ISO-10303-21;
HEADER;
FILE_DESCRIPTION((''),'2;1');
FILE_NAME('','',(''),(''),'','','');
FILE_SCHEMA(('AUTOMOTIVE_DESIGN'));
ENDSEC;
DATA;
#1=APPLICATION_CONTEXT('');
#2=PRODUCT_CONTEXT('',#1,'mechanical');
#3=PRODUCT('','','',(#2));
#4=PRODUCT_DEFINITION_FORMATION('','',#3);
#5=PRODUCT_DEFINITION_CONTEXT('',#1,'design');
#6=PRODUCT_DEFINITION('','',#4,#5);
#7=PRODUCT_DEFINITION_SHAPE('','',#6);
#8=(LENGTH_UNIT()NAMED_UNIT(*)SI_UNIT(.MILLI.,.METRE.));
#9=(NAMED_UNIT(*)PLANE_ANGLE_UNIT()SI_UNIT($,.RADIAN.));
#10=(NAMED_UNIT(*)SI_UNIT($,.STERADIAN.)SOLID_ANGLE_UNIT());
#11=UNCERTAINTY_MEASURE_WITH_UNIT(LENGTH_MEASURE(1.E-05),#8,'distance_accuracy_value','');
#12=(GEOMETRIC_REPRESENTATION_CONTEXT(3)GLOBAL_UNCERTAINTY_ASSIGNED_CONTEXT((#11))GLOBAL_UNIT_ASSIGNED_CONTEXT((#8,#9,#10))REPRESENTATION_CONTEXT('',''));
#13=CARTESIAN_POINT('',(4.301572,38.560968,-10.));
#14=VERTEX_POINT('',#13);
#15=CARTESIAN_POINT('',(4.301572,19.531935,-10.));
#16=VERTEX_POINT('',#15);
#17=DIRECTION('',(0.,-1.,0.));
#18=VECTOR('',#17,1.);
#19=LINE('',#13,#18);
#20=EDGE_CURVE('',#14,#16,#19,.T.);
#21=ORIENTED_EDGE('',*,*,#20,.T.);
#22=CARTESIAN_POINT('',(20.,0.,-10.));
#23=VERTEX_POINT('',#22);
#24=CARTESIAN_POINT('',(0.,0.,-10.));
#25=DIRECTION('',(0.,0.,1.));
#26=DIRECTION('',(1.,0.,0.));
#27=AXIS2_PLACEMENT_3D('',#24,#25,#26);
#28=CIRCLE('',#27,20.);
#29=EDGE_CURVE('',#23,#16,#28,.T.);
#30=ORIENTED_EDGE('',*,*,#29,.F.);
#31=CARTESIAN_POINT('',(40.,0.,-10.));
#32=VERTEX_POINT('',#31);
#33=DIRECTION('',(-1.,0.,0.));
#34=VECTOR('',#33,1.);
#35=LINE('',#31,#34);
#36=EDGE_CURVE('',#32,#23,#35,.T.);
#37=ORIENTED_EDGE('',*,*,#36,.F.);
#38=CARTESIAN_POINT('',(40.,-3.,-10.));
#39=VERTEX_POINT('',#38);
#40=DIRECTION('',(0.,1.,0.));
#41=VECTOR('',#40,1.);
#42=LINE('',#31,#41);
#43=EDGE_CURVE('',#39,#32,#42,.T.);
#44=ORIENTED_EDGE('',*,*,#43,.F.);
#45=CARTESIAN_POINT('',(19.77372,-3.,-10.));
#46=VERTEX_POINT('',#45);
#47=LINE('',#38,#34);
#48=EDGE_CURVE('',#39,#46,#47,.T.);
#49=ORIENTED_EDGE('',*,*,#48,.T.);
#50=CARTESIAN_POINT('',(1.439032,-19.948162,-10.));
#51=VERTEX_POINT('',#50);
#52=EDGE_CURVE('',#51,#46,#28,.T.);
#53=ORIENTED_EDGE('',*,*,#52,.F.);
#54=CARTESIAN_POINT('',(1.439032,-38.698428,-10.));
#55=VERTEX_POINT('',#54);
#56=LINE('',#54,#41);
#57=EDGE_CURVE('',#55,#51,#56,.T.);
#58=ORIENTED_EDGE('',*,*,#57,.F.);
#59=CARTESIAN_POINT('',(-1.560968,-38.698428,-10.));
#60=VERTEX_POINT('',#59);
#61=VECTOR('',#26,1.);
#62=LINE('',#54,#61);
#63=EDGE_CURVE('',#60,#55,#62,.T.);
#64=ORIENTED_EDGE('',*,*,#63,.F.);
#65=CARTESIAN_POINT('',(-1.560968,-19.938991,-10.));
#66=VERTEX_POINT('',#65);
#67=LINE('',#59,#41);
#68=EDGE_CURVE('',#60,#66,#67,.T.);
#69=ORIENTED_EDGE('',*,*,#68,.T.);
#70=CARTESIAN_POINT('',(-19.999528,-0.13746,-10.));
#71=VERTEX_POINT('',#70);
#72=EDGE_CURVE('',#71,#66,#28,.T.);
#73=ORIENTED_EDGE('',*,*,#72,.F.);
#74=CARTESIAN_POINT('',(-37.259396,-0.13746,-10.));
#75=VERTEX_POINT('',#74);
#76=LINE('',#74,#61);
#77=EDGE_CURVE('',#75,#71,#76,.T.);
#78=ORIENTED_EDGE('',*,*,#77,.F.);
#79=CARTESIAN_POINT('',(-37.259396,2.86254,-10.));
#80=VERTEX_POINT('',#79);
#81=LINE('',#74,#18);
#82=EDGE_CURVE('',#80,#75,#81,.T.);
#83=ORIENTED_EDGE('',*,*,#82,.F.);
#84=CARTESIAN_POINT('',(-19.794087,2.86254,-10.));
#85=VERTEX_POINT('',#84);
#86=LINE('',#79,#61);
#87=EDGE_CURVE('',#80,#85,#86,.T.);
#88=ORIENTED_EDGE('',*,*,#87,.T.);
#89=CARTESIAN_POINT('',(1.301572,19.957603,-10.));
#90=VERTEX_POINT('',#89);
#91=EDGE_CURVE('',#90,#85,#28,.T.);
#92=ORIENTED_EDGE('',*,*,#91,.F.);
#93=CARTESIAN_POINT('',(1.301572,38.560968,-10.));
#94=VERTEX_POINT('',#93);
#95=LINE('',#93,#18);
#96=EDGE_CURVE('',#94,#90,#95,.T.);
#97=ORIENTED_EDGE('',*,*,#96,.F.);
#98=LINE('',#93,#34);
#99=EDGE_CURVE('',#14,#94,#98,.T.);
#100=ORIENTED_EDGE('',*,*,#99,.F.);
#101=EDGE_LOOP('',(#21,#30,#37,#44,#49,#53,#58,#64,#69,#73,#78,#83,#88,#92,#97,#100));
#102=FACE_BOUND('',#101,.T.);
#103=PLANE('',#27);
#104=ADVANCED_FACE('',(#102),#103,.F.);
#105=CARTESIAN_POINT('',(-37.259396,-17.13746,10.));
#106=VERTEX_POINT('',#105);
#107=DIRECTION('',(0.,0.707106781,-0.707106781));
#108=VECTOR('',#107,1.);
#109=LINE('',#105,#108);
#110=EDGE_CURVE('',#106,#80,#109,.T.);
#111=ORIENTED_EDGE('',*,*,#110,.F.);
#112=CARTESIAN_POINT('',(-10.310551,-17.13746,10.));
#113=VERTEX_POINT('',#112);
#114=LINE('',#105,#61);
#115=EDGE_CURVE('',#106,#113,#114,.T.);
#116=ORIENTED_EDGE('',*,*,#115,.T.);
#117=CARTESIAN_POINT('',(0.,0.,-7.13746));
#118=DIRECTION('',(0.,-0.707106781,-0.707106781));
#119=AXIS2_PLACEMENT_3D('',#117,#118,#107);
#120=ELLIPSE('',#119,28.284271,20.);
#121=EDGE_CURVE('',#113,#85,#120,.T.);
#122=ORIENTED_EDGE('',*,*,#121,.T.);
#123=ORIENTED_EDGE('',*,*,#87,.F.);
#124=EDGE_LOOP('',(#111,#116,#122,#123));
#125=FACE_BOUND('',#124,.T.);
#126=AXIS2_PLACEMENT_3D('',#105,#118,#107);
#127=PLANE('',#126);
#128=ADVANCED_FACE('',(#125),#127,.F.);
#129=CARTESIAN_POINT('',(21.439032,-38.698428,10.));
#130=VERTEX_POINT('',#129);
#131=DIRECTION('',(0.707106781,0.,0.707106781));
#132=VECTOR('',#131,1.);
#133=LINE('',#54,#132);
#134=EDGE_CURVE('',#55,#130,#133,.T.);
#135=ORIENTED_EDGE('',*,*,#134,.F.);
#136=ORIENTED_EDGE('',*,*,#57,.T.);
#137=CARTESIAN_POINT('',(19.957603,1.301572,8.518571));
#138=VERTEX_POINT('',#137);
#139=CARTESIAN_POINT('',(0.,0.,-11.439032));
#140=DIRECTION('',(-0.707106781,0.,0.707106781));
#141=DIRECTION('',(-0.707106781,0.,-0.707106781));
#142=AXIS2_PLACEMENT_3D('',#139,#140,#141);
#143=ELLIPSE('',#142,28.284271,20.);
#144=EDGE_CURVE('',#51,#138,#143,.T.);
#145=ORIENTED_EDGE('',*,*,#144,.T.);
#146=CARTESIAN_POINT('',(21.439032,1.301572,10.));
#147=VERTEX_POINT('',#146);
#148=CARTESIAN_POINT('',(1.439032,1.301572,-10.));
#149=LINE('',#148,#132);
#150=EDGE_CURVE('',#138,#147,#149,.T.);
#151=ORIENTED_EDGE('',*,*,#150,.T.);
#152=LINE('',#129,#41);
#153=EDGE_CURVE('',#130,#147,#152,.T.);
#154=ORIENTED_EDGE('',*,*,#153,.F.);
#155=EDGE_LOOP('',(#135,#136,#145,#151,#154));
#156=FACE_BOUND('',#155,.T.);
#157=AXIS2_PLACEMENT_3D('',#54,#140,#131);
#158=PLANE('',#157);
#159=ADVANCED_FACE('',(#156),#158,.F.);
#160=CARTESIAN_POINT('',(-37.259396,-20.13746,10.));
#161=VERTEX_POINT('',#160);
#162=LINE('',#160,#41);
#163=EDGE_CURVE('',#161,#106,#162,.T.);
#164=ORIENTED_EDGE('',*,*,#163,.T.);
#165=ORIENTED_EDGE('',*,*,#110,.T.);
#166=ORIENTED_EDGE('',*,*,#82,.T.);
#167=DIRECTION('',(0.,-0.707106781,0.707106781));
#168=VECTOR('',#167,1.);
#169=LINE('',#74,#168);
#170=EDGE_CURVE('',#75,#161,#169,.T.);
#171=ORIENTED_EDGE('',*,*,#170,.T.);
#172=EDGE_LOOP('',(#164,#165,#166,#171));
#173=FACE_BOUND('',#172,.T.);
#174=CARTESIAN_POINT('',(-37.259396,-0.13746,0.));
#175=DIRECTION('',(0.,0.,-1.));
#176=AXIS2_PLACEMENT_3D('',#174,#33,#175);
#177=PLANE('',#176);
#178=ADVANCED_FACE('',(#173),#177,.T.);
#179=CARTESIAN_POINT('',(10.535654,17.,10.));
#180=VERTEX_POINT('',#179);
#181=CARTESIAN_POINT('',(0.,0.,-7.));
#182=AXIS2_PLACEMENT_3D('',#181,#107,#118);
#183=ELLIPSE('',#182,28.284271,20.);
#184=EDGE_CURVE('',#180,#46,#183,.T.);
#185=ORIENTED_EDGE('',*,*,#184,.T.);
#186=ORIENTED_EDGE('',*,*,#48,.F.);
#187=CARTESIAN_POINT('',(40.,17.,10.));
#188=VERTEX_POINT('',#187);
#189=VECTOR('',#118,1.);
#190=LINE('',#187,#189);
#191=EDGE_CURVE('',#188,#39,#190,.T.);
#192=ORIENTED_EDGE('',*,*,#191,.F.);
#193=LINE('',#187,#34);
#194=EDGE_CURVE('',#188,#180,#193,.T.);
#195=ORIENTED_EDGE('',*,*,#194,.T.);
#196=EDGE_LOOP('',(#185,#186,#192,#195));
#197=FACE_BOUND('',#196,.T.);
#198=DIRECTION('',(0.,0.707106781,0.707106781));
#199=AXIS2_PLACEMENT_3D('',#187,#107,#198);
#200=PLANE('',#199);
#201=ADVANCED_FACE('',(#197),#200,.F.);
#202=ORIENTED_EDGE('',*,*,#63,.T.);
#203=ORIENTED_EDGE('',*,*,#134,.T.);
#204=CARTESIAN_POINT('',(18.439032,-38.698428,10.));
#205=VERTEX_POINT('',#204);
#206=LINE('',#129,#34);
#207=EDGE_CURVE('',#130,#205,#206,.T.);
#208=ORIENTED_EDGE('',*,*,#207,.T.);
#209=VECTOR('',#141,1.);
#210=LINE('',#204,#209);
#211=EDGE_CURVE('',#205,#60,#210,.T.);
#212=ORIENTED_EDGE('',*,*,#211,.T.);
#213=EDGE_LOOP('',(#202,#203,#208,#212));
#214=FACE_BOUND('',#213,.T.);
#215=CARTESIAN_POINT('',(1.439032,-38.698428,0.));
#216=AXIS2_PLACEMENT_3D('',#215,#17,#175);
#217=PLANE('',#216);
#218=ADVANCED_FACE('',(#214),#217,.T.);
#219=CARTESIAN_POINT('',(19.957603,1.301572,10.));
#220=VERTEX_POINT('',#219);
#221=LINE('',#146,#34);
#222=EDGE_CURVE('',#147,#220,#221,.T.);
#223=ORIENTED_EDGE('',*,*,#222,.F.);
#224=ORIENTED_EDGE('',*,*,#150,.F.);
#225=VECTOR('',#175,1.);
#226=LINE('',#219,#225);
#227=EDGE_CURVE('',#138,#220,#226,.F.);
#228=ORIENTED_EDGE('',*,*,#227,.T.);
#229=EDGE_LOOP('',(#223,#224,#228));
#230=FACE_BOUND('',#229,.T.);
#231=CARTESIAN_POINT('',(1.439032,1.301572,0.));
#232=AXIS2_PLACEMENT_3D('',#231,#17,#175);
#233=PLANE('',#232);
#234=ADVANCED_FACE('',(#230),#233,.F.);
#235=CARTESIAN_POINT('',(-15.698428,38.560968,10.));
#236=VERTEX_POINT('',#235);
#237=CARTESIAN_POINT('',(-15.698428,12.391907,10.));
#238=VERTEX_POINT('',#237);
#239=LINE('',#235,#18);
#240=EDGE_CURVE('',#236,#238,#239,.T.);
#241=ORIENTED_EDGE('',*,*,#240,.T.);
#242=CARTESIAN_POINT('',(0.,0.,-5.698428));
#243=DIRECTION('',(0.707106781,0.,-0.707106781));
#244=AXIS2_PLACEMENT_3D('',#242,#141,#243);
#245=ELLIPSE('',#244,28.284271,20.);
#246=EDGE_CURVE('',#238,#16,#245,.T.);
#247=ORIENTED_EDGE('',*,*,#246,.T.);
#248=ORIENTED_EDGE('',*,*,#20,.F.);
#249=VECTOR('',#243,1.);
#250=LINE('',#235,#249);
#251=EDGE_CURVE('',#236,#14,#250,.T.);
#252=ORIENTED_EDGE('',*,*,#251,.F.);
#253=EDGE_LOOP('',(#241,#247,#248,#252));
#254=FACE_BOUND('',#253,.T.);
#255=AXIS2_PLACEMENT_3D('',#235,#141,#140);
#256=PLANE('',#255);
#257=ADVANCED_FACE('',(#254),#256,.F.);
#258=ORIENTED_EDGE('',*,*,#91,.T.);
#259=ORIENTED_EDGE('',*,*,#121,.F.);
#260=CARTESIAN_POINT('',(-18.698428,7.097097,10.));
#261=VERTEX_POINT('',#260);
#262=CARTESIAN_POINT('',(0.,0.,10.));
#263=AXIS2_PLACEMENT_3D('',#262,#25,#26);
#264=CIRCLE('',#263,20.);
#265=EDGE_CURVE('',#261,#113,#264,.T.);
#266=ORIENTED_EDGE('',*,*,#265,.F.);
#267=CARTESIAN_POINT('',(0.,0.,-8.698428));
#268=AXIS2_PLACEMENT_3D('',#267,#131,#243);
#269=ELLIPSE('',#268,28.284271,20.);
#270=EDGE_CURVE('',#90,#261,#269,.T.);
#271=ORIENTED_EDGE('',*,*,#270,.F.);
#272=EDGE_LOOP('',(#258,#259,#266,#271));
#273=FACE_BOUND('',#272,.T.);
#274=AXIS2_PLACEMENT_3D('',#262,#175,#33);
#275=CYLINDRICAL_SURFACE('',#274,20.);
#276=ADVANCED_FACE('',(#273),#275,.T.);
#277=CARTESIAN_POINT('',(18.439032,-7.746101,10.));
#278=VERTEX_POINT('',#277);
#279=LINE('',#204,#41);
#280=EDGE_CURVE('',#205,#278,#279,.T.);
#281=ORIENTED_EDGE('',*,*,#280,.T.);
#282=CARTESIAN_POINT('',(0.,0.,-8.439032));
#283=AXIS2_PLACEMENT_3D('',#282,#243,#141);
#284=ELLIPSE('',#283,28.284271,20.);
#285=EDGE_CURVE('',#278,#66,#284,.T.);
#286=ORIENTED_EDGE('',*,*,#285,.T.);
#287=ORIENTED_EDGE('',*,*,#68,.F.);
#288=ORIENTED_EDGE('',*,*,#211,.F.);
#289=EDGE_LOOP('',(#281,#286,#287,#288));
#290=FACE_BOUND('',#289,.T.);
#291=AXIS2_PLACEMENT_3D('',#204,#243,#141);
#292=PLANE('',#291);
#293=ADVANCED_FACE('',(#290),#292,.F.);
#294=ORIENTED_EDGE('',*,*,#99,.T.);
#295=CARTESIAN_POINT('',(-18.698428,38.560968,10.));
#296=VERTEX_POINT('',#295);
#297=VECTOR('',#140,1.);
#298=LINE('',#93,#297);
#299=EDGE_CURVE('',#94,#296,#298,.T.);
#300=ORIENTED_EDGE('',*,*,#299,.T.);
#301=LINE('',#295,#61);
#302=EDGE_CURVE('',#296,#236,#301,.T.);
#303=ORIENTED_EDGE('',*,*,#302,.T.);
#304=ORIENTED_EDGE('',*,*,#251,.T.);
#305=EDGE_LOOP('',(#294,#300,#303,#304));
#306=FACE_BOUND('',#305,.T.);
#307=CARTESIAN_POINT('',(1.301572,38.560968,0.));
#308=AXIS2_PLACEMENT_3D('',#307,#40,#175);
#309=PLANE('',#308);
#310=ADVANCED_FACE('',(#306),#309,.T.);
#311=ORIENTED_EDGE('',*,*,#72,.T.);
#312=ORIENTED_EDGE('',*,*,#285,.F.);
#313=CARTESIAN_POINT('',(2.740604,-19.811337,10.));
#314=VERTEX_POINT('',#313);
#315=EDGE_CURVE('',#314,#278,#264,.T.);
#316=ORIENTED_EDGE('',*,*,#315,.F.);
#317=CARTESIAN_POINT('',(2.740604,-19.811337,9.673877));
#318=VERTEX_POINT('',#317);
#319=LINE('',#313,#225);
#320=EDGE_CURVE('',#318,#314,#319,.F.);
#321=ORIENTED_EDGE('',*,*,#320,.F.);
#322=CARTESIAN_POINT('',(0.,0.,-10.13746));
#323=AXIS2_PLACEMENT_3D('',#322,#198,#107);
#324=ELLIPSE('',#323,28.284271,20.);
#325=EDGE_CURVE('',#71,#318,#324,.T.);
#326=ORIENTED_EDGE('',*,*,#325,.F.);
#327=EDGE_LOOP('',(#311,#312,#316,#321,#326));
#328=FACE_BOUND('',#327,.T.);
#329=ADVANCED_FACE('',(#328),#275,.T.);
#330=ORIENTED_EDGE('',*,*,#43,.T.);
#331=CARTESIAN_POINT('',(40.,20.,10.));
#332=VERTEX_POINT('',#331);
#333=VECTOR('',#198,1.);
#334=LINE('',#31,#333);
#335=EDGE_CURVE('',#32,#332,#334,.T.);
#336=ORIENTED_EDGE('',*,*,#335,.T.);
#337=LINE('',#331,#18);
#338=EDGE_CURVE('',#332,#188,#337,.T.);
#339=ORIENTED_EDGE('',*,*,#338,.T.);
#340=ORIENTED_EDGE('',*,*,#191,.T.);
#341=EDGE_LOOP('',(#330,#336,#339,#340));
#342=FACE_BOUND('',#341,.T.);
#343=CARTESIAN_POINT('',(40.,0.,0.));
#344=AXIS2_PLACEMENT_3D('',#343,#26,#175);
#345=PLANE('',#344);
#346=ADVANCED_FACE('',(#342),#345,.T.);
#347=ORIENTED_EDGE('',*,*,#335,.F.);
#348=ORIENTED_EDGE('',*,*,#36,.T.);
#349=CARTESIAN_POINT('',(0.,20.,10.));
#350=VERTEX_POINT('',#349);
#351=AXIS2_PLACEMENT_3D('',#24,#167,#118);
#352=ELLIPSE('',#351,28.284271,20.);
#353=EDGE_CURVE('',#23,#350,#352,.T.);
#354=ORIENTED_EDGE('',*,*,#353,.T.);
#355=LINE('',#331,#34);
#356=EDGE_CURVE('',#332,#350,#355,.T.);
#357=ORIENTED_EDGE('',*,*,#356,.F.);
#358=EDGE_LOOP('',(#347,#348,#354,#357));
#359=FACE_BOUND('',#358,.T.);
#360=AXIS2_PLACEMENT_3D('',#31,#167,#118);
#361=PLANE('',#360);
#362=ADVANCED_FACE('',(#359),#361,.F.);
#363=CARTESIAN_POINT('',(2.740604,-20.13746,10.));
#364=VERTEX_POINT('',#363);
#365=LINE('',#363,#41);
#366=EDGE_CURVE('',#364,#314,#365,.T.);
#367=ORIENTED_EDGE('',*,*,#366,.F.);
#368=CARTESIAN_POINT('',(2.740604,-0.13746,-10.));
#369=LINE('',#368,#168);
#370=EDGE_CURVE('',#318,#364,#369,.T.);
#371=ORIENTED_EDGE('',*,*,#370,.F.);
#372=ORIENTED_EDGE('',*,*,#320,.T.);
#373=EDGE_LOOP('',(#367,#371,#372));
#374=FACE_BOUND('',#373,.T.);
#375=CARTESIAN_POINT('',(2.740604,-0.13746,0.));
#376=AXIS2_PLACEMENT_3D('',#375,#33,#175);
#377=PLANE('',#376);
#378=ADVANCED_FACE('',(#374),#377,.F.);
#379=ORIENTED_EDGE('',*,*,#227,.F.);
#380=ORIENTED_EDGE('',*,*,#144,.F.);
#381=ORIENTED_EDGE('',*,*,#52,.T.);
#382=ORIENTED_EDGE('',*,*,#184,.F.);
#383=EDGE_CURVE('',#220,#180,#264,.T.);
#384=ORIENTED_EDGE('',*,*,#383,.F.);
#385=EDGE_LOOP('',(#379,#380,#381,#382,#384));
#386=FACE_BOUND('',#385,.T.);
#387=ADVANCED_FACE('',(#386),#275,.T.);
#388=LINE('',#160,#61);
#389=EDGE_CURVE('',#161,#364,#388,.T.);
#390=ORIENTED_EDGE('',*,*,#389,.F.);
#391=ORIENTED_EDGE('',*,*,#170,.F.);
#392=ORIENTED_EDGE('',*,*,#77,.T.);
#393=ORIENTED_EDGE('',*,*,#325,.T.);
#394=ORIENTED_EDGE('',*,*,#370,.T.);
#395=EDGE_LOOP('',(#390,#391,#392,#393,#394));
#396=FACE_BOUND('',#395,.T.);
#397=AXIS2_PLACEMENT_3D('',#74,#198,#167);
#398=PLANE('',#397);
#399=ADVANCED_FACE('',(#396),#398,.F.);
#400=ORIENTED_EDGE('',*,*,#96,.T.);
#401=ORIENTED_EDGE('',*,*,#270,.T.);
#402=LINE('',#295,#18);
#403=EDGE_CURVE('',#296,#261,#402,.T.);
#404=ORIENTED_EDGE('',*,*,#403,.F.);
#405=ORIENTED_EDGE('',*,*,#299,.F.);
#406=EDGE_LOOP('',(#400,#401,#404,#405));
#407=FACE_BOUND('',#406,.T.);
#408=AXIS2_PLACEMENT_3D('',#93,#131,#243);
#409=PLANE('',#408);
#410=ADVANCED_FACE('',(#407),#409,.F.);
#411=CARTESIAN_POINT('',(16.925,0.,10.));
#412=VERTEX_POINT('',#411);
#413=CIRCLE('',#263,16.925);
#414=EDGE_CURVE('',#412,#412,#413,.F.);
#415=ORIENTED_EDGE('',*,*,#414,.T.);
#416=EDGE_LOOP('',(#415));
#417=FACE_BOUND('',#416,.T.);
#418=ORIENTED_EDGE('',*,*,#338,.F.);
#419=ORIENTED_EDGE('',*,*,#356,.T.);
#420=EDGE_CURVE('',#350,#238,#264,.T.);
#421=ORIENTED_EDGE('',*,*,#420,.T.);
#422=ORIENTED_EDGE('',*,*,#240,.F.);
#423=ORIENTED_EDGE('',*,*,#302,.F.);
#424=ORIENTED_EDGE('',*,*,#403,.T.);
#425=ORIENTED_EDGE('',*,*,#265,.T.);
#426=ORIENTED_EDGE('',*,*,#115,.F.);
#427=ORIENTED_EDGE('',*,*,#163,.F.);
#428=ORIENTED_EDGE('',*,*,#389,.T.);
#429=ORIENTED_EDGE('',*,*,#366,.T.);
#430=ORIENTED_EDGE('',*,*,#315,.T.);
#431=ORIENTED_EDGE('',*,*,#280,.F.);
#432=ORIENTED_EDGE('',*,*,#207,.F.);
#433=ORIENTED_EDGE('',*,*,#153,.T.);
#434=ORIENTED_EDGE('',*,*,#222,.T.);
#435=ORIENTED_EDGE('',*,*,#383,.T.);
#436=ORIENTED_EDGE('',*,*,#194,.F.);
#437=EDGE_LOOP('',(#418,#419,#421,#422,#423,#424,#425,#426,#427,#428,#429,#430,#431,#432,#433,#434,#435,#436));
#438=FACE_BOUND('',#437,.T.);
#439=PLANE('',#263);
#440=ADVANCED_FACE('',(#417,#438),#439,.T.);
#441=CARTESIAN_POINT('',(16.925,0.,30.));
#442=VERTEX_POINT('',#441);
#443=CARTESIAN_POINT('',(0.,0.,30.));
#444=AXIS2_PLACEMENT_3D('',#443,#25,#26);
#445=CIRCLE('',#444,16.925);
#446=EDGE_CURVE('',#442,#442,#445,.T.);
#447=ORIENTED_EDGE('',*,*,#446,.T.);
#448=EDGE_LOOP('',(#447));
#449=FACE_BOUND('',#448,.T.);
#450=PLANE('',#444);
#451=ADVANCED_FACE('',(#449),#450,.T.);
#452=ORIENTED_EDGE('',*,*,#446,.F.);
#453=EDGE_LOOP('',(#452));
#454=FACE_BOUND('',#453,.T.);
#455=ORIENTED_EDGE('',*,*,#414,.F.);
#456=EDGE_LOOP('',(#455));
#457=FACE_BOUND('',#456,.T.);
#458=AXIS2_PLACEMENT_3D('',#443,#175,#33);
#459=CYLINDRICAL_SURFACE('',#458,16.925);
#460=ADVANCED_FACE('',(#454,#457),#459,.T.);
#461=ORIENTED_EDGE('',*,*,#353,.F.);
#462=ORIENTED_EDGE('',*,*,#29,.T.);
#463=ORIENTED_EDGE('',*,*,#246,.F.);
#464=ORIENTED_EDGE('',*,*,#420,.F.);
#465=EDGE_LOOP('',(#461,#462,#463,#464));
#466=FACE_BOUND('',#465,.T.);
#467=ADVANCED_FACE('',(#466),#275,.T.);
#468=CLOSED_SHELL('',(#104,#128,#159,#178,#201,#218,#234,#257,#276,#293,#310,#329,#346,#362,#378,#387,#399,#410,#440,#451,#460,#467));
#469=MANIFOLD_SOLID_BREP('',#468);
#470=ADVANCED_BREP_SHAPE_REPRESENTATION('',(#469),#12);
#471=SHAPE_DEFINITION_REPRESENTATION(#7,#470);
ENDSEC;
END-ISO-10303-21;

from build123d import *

# Parameters (mm, degrees)
SKETCH1_R           = 20
SKETCH1_R_2         = 10
BOSS_EXTRUDE1_DEPTH = 10
SKETCH5_R           = 16.925
BOSS_EXTRUDE2_DEPTH = 20
BOSS_EXTRUDE3_DEPTH = 40
CIRPATTERN1_COUNT   = 4


with BuildPart() as part:
    # Sketch1 → Boss-Extrude1 (new, symmetric)
    with BuildSketch(Plane.XY):
        Circle(SKETCH1_R)
        Circle(SKETCH1_R_2, mode=Mode.SUBTRACT)
    extrude(amount=BOSS_EXTRUDE1_DEPTH, both=True)

    # Sketch5 → Boss-Extrude2 (add, symmetric)
    with BuildSketch(Plane.XY.offset(10)):
        Circle(SKETCH5_R)
    extrude(amount=BOSS_EXTRUDE2_DEPTH, both=True)

    # Sketch6 → Boss-Extrude3 (add)
    with BuildSketch(Plane(origin=(0, 0, 0), x_dir=(0, 0, -1), z_dir=(1, 0, 0))):
        Polygon((10, 0), (-10, 20), (-10, 17), (10, -3), align=None)
    boss_extrude3 = extrude(amount=BOSS_EXTRUDE3_DEPTH)

    # CirPattern1: Boss-Extrude3 ×4 about axis
    cirpattern1_axis = Axis((1.370302178, -0.068730139, 0), (0, 0, 1))
    for i in range(1, CIRPATTERN1_COUNT):
        add(boss_extrude3.rotate(cirpattern1_axis, i * 360 / CIRPATTERN1_COUNT))


solid = part.part
